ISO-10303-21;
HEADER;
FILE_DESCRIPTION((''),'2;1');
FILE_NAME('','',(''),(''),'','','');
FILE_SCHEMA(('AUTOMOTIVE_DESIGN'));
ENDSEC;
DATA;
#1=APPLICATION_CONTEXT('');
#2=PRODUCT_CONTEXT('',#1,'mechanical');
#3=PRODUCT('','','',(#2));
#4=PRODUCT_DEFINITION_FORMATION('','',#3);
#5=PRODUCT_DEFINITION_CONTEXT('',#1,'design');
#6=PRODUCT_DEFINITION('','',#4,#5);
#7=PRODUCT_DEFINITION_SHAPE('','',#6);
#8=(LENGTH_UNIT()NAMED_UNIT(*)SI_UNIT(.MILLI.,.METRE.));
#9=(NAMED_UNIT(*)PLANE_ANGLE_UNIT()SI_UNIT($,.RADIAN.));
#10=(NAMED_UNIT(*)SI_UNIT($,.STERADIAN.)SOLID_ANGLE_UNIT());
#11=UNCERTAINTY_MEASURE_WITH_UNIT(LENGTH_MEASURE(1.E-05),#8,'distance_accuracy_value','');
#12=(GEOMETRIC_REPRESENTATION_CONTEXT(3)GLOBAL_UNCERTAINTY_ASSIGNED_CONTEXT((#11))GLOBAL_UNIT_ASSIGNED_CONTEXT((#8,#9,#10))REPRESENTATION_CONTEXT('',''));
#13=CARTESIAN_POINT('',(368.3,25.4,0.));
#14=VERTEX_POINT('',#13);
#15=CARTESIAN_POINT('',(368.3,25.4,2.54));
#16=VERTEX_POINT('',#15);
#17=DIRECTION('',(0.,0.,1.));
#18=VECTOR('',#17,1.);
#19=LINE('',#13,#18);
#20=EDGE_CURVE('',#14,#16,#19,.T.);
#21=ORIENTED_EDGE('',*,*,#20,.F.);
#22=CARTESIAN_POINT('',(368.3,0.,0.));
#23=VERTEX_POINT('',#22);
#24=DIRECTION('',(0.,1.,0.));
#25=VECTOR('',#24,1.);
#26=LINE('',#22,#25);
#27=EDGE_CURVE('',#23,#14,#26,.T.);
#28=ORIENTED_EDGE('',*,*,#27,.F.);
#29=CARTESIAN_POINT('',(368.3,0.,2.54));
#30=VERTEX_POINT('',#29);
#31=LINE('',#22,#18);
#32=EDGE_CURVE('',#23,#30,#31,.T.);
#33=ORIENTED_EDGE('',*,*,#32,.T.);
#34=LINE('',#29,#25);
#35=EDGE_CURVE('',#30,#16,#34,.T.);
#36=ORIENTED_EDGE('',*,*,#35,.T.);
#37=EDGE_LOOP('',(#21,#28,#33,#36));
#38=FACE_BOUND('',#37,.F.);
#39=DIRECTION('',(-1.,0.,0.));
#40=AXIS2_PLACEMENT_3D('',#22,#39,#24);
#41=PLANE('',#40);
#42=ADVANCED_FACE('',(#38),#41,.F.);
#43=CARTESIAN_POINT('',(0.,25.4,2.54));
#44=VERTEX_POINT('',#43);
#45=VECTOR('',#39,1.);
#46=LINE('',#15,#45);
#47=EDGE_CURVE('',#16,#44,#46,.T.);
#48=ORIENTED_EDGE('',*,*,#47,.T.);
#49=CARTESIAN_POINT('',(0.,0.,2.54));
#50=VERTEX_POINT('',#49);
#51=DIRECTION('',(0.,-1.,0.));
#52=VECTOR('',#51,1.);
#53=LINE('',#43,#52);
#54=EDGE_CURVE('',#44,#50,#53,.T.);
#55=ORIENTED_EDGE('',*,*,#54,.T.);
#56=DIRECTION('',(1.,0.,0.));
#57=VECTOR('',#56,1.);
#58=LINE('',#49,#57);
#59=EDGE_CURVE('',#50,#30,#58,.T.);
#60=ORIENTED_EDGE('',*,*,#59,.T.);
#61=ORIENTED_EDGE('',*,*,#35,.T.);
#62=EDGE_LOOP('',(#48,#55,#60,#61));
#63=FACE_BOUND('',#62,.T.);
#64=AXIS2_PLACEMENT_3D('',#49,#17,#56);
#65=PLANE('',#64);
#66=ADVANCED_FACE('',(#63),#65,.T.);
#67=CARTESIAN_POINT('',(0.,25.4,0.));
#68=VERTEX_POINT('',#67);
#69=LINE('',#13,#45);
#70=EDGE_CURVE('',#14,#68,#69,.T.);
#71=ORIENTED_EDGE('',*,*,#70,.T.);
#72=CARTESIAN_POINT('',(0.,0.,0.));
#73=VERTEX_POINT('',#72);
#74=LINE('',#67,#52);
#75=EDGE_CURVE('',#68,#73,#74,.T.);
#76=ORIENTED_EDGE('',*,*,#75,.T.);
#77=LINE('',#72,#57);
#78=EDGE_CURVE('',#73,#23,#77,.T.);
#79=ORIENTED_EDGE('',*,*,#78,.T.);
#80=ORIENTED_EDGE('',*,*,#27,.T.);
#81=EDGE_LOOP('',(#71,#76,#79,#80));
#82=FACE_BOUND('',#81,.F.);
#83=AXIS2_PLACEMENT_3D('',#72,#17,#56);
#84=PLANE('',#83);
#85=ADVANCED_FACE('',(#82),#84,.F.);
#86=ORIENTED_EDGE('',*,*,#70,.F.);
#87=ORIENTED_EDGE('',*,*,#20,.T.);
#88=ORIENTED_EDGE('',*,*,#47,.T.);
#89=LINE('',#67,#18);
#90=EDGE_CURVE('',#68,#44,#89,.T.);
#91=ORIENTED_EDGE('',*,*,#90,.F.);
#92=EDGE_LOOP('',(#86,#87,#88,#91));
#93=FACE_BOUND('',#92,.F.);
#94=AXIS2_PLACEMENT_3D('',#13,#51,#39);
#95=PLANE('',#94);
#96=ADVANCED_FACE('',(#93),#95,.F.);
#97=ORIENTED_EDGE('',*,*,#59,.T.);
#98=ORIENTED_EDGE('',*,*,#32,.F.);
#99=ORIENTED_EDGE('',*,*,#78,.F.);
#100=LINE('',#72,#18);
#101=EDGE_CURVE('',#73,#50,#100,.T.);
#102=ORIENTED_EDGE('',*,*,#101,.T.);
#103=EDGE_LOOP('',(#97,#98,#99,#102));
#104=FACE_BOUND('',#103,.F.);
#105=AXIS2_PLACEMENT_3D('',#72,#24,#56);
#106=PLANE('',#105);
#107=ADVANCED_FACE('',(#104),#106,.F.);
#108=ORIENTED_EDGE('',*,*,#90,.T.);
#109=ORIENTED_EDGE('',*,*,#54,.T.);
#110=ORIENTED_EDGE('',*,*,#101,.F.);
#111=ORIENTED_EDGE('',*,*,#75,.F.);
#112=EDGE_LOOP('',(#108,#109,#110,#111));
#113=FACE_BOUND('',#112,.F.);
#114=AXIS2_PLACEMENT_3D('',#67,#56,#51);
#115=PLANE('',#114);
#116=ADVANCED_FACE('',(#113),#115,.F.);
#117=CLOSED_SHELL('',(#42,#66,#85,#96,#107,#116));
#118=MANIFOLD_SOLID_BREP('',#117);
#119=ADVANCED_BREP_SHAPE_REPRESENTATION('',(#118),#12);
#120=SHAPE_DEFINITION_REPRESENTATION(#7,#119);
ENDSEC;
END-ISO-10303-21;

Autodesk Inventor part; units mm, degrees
ref_plane "YZ Plane" through (0, 0, 0) normal (1, 0, 0) x (0, 1, 0)
ref_plane "XZ Plane" through (0, 0, 0) normal (0, 1, 0) x (-1, 0, 0)
ref_plane "XY Plane" through (0, 0, 0) normal (0, 0, 1) x (1, 0, 0)
sketch "Sketch1" plane through (0, 0, 0) normal (0, 0, 1) x (1, 0, 0)
  line L0 (0, 0) -> (368.3, 0)
  line L1 (368.3, 0) -> (368.3, 25.4)
  line L2 (368.3, 25.4) -> (0, 25.4)
  line L3 (0, 25.4) -> (0, 0)
  dimension "d2" = 368.3
  dimension "d3" = 25.4
extrude "Extrusion1" add sketch "Sketch1" along normal blind 2.54
properties part number "supports"
